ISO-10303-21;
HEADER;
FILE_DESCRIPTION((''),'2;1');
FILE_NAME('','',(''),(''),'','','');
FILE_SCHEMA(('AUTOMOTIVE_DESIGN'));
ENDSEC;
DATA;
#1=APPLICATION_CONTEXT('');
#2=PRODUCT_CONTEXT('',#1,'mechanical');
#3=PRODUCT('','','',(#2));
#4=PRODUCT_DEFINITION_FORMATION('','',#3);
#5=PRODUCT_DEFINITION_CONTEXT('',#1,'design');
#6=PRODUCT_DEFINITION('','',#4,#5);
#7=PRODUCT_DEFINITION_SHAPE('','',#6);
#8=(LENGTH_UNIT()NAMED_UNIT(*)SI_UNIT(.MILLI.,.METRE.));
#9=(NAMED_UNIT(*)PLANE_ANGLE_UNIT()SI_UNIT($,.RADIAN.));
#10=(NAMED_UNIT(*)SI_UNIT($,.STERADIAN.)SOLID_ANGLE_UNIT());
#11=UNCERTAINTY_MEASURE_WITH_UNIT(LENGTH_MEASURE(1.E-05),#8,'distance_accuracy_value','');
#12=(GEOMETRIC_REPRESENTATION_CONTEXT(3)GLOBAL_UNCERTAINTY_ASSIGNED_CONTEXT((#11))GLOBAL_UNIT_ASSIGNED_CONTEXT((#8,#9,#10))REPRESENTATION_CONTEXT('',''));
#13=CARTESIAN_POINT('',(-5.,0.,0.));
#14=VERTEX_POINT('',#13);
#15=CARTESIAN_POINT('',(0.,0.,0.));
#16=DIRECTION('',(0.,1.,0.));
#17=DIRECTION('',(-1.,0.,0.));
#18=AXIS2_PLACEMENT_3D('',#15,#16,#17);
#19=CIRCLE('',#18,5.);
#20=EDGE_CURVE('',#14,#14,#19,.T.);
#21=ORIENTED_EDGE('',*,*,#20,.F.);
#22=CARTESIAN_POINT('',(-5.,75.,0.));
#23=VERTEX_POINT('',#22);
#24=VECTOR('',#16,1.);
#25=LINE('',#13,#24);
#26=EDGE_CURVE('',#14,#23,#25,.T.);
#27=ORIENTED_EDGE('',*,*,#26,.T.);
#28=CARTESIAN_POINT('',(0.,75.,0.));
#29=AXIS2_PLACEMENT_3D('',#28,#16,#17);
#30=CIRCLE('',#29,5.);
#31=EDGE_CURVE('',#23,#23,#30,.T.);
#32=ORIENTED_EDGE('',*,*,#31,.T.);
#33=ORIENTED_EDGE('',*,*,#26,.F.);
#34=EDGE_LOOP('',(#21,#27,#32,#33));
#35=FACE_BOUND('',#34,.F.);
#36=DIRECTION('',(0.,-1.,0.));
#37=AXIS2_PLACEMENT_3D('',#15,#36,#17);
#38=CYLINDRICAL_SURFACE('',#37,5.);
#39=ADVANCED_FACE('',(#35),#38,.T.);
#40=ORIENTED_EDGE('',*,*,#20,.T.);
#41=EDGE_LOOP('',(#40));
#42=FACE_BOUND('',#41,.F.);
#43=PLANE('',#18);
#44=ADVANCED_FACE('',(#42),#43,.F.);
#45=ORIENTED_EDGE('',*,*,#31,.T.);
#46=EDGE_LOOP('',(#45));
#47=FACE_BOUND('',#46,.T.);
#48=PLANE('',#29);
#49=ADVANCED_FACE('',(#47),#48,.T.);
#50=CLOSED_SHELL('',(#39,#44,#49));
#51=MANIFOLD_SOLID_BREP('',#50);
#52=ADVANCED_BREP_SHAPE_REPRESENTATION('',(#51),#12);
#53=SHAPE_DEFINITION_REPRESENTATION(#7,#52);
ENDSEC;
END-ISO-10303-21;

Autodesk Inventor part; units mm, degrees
ref_plane "YZ Plane" through (0, 0, 0) normal (1, 0, 0) x (0, 1, 0)
ref_plane "XZ Plane" through (0, 0, 0) normal (0, 1, 0) x (-1, 0, 0)
ref_plane "XY Plane" through (0, 0, 0) normal (0, 0, 1) x (1, 0, 0)
sketch "Sketch1" plane through (0, 0, 0) normal (0, 1, 0) x (-1, 0, 0)
  circle A0 centre (0, 0) radius 5
  dimension "d0" = 10
extrude "Extrusion1" add sketch "Sketch1" along normal blind 75
properties part number "rod2"
